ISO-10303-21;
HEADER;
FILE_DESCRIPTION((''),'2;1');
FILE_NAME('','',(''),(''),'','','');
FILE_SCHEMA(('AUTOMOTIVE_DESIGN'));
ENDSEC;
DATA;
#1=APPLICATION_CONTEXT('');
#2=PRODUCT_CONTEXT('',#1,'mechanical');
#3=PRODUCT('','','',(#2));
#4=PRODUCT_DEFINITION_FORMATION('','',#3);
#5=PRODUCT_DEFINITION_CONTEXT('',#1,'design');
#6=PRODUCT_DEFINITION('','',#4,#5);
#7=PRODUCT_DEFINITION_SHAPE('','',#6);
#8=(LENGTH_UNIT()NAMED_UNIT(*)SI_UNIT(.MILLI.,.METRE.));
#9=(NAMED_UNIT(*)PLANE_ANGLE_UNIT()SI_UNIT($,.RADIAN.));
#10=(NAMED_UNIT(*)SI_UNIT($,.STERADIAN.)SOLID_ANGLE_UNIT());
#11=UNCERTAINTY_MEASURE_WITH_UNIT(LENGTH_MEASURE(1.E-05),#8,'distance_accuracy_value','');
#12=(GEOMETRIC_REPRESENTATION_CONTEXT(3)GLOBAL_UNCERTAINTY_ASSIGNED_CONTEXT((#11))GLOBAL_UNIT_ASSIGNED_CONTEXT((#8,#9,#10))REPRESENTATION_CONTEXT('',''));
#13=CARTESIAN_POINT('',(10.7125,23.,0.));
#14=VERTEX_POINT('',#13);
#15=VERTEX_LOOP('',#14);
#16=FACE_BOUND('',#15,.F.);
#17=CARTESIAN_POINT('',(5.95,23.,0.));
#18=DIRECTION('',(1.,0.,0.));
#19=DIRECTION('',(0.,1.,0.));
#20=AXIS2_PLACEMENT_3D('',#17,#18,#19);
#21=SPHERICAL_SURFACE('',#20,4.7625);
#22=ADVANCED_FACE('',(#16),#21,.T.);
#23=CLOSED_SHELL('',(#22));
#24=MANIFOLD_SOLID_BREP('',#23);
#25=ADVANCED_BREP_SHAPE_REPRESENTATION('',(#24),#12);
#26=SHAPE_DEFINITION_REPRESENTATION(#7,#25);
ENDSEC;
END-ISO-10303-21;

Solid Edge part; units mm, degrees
sketch "Sketch1" plane through (0, 0, 0) normal (0, 0, 1) x (1, 0, 0)
  arc A0 (1.1875, 23) -> (10.7125, 23) centre (5.95, 23) cw
  line L0 (10.7125, 23) -> (1.1875, 23)
revolve "RevolvedProtrusion1" add sketch "Sketch1" angle 360 about axis through (10.7125, 23, 0) along (-1, 0, 0)
properties part number "3206 A-2RS1_PART3" material "Aluminio, 7075-T6"
